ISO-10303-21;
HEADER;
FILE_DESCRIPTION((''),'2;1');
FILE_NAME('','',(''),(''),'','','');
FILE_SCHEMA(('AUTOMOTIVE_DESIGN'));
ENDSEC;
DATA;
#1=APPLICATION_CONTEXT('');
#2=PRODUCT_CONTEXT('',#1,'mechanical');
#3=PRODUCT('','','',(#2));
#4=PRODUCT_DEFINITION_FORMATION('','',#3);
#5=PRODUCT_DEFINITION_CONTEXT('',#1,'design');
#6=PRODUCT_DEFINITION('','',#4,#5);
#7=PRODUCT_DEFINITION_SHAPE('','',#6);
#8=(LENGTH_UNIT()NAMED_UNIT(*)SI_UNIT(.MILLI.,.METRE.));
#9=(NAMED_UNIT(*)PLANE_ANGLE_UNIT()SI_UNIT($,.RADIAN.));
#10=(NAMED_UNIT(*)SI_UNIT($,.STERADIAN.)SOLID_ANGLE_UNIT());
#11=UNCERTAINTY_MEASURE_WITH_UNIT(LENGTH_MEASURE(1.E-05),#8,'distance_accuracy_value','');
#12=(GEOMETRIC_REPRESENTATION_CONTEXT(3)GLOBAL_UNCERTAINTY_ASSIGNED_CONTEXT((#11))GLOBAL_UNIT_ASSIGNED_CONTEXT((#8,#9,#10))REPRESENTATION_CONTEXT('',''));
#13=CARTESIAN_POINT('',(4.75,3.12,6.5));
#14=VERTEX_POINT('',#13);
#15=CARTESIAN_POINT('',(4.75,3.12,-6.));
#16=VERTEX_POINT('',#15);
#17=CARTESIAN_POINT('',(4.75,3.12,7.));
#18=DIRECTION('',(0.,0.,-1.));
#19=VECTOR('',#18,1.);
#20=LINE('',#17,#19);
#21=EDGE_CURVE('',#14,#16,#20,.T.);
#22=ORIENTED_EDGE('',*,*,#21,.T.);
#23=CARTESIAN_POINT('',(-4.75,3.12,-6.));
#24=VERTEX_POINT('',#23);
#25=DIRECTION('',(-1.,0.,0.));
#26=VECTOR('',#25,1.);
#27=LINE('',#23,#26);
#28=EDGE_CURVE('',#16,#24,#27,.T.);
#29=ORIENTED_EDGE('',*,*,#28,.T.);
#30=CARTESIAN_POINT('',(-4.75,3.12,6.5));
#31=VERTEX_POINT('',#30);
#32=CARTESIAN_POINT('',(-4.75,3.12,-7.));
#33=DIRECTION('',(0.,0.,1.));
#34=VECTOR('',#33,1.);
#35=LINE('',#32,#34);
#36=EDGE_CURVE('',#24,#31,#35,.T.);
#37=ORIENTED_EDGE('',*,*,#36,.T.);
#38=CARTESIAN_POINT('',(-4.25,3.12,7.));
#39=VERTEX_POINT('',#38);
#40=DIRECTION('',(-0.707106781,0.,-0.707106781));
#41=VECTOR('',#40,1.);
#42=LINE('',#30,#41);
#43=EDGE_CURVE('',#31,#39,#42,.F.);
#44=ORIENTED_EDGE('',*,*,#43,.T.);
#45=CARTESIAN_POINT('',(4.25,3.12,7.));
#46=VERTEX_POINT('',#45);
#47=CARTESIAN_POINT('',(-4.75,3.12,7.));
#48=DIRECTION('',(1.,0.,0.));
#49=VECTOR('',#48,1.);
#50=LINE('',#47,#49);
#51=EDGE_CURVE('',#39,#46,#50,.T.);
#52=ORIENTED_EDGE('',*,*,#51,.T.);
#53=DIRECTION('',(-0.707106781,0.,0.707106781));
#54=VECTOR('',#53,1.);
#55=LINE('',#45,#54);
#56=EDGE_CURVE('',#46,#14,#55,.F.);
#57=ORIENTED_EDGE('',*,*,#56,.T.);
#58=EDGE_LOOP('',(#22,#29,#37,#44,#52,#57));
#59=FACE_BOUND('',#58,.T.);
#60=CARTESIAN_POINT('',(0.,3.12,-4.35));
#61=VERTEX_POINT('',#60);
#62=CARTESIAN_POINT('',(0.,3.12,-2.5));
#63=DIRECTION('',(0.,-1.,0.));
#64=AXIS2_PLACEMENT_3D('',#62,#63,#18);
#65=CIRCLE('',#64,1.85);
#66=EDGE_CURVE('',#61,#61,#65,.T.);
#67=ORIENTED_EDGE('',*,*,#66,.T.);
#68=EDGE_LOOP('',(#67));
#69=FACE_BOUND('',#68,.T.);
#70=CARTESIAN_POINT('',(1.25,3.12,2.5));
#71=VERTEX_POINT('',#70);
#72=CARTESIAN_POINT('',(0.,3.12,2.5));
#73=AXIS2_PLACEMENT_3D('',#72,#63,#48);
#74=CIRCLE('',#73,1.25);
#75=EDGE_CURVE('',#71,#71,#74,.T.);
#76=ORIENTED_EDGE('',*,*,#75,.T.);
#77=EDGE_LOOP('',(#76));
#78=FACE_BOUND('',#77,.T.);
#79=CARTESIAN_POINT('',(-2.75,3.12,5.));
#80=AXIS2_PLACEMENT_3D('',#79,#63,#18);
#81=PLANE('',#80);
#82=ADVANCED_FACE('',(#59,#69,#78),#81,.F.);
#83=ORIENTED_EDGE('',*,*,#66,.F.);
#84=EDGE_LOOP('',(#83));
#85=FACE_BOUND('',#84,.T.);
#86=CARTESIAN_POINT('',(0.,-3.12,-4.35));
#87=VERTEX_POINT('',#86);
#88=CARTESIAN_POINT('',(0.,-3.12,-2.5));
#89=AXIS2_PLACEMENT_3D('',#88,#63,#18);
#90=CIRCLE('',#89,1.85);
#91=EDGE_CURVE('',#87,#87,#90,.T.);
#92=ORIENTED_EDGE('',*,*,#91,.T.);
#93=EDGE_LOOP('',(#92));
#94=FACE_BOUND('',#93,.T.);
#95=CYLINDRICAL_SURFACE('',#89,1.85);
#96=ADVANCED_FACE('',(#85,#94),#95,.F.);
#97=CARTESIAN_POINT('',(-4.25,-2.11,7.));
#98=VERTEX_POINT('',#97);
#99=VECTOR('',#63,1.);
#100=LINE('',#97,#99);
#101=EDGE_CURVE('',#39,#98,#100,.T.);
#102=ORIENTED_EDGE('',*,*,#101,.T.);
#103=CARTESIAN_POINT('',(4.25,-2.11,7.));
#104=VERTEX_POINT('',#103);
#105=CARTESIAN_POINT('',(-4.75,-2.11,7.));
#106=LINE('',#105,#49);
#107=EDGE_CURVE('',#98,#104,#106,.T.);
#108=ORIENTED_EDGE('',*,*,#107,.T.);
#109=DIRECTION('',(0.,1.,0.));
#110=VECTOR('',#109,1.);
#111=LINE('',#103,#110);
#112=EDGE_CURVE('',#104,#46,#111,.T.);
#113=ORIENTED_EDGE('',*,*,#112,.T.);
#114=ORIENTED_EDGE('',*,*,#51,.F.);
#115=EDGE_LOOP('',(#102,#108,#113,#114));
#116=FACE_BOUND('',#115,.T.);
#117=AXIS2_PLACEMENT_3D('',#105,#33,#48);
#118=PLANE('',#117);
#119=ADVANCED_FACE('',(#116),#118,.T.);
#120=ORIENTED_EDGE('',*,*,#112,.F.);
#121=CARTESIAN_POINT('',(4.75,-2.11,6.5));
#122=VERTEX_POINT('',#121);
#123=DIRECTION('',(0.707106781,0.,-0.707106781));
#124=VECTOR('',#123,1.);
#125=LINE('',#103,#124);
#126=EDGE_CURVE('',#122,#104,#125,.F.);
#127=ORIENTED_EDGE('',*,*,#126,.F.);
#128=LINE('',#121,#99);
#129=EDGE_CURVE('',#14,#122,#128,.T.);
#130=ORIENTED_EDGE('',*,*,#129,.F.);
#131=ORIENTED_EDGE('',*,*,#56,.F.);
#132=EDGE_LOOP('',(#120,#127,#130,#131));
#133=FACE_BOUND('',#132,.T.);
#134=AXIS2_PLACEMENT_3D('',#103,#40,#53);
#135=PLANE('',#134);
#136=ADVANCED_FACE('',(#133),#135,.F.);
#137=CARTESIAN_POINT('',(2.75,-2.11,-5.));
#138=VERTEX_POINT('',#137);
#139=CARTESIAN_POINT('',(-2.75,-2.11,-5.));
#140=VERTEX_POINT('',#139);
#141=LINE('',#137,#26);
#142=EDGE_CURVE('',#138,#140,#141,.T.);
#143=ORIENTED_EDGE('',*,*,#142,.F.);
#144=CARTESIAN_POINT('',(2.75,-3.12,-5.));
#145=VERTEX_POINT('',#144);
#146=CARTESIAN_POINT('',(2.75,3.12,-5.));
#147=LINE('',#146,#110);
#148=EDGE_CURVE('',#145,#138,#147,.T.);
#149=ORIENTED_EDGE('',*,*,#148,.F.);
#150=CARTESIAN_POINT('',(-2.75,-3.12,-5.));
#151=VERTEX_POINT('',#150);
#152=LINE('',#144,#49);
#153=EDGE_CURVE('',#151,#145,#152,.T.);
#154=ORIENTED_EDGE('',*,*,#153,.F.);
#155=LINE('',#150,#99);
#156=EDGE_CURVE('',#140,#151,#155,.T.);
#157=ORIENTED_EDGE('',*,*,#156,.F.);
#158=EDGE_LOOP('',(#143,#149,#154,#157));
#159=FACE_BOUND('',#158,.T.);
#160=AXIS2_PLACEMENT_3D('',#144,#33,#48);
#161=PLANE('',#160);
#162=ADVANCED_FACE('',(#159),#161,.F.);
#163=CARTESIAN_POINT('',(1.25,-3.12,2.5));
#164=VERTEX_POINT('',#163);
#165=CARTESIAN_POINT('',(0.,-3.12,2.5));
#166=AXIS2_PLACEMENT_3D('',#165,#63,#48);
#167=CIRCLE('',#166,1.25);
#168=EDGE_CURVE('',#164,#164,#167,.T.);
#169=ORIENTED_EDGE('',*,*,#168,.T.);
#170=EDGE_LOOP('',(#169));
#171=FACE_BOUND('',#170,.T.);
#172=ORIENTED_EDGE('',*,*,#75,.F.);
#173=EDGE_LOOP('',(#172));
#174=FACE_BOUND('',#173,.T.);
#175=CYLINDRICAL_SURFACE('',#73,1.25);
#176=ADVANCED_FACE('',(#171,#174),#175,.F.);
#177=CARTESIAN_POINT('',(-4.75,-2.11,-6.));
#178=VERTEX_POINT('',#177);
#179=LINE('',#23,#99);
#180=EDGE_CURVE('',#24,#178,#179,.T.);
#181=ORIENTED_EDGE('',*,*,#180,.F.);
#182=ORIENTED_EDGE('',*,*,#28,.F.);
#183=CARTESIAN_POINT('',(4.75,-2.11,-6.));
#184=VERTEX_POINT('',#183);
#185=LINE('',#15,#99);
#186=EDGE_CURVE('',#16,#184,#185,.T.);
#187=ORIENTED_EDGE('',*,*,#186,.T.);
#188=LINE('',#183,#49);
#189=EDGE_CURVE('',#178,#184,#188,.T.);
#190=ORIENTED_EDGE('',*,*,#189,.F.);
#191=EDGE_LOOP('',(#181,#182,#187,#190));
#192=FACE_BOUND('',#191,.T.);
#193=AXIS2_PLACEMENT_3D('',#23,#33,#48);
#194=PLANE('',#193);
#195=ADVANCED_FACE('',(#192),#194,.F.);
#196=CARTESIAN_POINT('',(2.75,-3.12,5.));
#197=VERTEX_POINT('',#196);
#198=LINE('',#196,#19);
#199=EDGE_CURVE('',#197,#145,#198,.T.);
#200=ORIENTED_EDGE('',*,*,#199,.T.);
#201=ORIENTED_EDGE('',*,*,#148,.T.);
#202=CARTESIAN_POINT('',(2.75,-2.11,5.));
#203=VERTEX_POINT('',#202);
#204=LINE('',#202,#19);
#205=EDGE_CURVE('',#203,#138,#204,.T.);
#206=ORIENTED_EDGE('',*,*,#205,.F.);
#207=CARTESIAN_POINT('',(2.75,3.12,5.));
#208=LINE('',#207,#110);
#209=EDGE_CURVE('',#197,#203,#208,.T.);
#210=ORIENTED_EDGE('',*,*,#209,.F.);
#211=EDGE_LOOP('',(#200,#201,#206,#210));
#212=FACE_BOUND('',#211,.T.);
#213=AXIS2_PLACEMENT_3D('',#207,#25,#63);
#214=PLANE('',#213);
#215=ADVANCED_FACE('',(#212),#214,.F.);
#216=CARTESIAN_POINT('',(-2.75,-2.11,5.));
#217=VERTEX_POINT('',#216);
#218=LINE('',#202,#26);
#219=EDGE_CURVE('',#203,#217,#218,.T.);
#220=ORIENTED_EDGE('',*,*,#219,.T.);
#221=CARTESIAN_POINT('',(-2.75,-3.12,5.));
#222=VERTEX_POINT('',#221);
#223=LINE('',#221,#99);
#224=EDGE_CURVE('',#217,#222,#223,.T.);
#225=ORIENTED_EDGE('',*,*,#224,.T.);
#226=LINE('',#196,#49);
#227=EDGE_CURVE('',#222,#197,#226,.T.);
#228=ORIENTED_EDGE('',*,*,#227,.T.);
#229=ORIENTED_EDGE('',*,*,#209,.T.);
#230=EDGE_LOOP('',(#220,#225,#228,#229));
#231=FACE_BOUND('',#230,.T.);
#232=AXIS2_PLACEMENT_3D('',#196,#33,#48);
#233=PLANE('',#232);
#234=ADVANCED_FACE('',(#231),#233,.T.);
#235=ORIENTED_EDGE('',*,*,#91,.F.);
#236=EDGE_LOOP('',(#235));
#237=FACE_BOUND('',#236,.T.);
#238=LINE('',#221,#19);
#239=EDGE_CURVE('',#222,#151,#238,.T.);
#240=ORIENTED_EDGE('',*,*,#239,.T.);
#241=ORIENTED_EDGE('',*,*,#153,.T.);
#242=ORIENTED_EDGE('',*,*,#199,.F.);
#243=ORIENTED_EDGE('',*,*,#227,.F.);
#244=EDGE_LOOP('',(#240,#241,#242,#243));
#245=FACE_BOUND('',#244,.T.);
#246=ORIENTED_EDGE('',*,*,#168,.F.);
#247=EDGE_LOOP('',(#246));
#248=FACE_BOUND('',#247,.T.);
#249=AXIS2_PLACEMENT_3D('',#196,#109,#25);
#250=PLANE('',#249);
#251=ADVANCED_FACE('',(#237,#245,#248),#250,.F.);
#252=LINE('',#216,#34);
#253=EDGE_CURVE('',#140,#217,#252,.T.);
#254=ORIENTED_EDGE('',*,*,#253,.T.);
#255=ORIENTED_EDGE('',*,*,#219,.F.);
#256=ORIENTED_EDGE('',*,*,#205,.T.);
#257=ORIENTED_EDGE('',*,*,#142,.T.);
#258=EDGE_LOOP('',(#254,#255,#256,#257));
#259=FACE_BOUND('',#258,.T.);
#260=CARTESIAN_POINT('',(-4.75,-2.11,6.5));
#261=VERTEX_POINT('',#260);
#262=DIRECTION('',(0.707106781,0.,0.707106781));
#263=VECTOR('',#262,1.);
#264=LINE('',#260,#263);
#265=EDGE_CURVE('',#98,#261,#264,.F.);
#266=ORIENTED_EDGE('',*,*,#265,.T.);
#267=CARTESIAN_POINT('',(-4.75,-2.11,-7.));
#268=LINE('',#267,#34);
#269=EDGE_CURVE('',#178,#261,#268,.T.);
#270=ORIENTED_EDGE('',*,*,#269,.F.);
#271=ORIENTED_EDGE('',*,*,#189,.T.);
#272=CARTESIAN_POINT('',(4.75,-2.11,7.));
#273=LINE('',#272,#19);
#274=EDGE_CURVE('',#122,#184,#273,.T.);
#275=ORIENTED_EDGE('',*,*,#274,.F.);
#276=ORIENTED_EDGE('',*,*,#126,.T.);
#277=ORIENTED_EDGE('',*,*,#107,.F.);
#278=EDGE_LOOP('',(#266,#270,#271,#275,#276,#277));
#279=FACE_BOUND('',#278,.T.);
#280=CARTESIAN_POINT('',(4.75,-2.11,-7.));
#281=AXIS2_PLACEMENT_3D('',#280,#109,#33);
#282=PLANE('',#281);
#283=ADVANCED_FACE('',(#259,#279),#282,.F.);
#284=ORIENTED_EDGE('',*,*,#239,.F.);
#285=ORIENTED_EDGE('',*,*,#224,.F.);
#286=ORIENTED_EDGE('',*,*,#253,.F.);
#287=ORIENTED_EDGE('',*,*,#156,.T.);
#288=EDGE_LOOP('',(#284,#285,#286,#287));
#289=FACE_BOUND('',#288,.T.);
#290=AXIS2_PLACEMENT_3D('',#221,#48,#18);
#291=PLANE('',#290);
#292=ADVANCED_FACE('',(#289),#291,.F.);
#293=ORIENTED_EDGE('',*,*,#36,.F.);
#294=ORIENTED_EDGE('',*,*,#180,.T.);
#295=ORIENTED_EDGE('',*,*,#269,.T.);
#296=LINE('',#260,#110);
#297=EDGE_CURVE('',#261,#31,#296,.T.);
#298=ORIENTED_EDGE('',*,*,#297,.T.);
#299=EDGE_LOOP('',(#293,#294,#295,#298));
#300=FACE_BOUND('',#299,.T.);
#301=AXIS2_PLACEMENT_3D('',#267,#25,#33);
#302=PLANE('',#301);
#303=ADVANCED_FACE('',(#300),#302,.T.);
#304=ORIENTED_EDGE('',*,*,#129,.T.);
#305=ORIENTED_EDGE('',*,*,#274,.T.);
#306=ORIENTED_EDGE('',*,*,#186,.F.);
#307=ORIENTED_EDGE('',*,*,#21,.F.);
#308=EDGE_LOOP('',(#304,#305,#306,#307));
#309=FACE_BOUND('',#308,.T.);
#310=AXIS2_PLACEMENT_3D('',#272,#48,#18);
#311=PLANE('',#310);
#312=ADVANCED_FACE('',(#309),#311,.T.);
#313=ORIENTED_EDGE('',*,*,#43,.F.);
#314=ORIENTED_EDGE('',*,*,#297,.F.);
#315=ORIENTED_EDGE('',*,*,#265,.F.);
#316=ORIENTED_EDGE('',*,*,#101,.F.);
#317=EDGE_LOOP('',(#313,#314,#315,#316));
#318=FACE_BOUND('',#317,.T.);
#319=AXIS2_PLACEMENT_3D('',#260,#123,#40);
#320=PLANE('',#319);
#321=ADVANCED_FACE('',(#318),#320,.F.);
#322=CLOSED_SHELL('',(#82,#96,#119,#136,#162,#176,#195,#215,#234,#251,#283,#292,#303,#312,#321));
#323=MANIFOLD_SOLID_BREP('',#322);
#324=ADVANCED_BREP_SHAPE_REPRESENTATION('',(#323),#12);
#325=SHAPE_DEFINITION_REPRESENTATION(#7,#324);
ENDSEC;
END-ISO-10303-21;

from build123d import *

# Parameters (mm, degrees)
SKETCH1_W                  = 5.5
SKETCH1_H                  = 6.24
EXTRUDE1_DEPTH             = 5
SKETCH6_W                  = 9.5
SKETCH6_H                  = 14
EXTRUDE2_DEPTH             = 5.23
F_3_7_3_7_DIAMETER_HOLE1_D = 3.7
SKETCH3_R                  = 1.25
CUT_EXTRUDE1_DEPTH         = 7.24
CHAMFER2_SIZE              = 0.5
SKETCH8_W                  = 9.5
SKETCH8_H                  = 1
EXTRUDE4_DEPTH             = 7.24


with BuildPart() as part:
    # Sketch1 → Extrude1 (new body, symmetric)
    with BuildSketch(Plane.XY):
        Rectangle(SKETCH1_W, SKETCH1_H)
    extrude(amount=EXTRUDE1_DEPTH, both=True)

    # Sketch6 → Extrude2 (add)
    with BuildSketch(Plane(origin=(0, 3.12, 0), x_dir=(1, 0, 0), z_dir=(0, 1, 0))):
        Rectangle(SKETCH6_W, SKETCH6_H)
    extrude(amount=-EXTRUDE2_DEPTH)

    # 3.7 _3.7_ Diameter Hole1 (through all)
    with Locations(Plane(origin=(0.72811331, -3.12, 5.297514906), x_dir=(1, 0, 0), z_dir=(0, -1, 0))):
        with Locations((-0.72811331, -7.797514906)):
            Hole(F_3_7_3_7_DIAMETER_HOLE1_D / 2)

    # Sketch3 → Cut-Extrude1 (cut, through all)
    with BuildSketch(Plane(origin=(0, -3.12, 0), x_dir=(-1, 0, 0), z_dir=(0, -1, 0))):
        with Locations(Location((0, -2.5, 0), (0, 0, 180))):  # turned: the seam where the file's is
            Circle(SKETCH3_R)
    extrude(amount=-CUT_EXTRUDE1_DEPTH, mode=Mode.SUBTRACT)

    # Chamfer2
    chamfer2_edges = [part.edges().sort_by_distance(p)[0] for p in [
        (4.75, 0.505, 7),
        (-4.75, 0.505, 7),
    ]]
    chamfer(chamfer2_edges, length=CHAMFER2_SIZE)

    # Sketch8 → Extrude4 (cut, through all)
    with BuildSketch(Plane.XZ.offset(3.12)):
        with Locations((0, -6.5)):
            Rectangle(SKETCH8_W, SKETCH8_H)
    extrude(amount=-EXTRUDE4_DEPTH, mode=Mode.SUBTRACT)


solid = part.part
